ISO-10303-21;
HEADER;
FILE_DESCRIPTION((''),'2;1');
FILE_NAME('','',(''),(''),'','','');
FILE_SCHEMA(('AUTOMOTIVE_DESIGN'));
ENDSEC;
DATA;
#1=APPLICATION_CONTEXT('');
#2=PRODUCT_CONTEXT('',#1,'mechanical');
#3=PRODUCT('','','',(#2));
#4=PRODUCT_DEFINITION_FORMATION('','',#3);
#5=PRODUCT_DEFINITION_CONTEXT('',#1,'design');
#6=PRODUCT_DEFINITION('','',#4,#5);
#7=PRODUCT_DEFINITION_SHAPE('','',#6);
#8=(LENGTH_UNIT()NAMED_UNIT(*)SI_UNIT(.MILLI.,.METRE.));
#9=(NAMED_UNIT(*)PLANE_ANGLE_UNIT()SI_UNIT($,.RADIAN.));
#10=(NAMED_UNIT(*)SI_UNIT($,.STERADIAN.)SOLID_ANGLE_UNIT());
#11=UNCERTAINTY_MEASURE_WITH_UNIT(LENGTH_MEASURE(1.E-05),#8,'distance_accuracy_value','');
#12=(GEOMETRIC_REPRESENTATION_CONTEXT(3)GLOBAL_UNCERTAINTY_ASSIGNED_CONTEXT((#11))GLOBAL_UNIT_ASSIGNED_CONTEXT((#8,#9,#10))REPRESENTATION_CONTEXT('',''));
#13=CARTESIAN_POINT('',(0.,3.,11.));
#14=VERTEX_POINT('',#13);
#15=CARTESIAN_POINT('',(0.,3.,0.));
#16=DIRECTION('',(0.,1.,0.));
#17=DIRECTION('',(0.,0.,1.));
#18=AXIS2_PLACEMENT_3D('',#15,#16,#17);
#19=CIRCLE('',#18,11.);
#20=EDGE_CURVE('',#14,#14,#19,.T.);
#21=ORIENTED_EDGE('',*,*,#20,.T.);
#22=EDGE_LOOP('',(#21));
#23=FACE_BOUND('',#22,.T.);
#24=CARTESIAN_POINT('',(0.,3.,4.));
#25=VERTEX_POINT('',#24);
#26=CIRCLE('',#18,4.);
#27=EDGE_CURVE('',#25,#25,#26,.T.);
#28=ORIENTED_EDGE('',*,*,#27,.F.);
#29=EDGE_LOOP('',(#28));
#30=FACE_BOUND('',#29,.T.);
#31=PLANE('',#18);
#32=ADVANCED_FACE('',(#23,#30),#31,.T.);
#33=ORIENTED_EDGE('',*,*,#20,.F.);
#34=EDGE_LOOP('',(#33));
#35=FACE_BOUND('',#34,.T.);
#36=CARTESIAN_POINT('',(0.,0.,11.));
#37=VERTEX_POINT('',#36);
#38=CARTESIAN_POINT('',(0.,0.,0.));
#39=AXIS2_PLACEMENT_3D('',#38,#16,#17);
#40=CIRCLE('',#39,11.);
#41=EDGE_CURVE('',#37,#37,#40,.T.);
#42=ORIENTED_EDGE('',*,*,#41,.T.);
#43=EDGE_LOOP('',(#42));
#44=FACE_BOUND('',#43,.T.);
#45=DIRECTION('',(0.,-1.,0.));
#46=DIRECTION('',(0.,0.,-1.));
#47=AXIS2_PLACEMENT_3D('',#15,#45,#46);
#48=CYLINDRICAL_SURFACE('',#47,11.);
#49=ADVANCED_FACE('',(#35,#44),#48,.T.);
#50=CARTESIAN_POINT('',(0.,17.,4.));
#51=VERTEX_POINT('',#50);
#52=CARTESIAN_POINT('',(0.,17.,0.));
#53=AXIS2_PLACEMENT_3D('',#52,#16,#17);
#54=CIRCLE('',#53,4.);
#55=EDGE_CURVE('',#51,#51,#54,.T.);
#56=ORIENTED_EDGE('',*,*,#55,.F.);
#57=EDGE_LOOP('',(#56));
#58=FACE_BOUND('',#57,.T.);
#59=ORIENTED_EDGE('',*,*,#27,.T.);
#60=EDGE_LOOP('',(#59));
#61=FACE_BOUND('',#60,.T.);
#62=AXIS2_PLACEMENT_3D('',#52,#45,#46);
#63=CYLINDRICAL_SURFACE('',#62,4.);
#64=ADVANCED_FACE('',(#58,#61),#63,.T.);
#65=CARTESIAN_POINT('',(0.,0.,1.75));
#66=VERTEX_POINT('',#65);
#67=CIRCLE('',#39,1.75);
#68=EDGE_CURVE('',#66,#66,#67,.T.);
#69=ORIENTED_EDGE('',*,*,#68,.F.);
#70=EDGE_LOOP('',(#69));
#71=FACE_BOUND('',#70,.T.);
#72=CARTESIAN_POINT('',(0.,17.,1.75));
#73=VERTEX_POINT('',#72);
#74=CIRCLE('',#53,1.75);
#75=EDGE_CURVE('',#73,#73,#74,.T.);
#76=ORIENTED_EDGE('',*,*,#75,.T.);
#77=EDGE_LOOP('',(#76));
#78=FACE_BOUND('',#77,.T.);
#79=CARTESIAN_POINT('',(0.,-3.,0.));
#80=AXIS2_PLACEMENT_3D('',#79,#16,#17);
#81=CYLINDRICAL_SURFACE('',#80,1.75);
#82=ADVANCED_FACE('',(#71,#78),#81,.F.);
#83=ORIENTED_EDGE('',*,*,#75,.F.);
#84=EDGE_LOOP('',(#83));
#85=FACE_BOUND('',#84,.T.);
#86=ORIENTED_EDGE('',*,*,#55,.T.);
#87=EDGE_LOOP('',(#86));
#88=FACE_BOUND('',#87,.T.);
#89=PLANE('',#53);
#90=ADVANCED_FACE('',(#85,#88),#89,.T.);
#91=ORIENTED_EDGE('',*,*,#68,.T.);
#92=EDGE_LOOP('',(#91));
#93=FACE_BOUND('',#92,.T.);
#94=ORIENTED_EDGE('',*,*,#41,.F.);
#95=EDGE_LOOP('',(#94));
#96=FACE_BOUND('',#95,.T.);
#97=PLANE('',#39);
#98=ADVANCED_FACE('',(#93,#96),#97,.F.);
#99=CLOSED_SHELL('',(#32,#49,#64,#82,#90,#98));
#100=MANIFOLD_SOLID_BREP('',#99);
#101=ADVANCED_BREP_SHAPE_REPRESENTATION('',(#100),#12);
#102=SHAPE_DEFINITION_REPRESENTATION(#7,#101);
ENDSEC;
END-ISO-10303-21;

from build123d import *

# Parameters (mm, degrees)
SKETCH1_R           = 11
BOSS_EXTRUDE1_DEPTH = 3
SKETCH2_R           = 4
BOSS_EXTRUDE2_DEPTH = 14
SKETCH3_R           = 1.75
CUT_EXTRUDE1_DEPTH  = 20


with BuildPart() as part:
    # Sketch1 → Boss-Extrude1 (new body)
    with BuildSketch(Plane(origin=(0, 0, 0), x_dir=(1, 0, 0), z_dir=(0, 1, 0))):
        Circle(SKETCH1_R)
    extrude(amount=BOSS_EXTRUDE1_DEPTH)

    # Sketch2 → Boss-Extrude2 (add)
    with BuildSketch(Plane(origin=(0, 3, 0), x_dir=(1, 0, 0), z_dir=(0, 1, 0))):
        Circle(SKETCH2_R)
    extrude(amount=BOSS_EXTRUDE2_DEPTH)

    # Sketch3 → Cut-Extrude1 (cut)
    with BuildSketch(Plane(origin=(0, 17, 0), x_dir=(1, 0, 0), z_dir=(0, 1, 0))):
        Circle(SKETCH3_R)
    extrude(amount=-CUT_EXTRUDE1_DEPTH, mode=Mode.SUBTRACT)


solid = part.part
